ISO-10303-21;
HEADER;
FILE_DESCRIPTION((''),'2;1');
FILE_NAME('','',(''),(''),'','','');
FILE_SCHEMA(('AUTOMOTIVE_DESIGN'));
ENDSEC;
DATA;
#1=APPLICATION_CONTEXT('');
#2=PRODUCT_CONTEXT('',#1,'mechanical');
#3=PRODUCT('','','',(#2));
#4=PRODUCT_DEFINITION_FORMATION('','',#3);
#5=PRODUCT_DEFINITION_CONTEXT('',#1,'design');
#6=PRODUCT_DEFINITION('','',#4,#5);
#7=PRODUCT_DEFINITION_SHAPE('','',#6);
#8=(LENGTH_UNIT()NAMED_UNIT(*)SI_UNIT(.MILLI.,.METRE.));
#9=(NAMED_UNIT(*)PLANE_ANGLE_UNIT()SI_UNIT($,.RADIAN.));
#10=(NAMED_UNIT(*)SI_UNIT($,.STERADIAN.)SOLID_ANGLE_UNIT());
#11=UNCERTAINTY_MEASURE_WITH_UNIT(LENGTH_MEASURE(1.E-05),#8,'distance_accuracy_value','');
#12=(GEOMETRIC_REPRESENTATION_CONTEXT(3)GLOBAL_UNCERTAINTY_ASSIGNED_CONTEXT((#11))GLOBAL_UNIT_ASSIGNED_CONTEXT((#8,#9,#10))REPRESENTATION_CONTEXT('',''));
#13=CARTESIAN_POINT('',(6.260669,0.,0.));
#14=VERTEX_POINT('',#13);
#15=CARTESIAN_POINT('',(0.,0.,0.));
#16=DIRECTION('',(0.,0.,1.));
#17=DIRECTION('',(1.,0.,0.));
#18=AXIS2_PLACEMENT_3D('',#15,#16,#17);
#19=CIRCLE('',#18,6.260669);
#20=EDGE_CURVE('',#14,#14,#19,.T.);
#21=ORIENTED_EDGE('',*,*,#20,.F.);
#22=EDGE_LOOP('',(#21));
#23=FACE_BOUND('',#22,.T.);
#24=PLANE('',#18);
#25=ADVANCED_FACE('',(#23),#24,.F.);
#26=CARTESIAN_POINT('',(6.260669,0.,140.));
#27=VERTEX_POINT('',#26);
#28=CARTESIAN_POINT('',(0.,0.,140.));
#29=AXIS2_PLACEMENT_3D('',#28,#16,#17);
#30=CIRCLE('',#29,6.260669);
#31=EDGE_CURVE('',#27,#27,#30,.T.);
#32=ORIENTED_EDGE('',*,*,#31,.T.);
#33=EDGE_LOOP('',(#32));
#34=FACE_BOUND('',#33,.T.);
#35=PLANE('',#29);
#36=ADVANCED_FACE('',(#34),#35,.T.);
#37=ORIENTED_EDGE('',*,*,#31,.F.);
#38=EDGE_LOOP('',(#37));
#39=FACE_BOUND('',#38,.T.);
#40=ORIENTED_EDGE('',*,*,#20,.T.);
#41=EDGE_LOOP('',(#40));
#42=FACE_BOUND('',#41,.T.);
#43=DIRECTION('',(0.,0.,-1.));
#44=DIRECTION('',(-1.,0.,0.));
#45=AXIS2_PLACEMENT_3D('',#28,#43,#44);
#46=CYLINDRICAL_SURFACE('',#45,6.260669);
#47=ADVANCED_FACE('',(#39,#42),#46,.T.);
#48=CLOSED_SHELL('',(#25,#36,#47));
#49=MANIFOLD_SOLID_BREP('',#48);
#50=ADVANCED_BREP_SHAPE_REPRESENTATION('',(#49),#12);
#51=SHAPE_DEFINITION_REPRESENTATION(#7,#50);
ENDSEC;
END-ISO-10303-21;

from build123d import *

# Parameters (mm, degrees)
SKETCH_1_R      = 6.260668565
EXTRUDE_1_DEPTH = 140


with BuildPart() as part:
    # 草图1 → 凸台-拉伸1 (new body)
    with BuildSketch(Plane.XY):
        Circle(SKETCH_1_R)
    extrude(amount=EXTRUDE_1_DEPTH)


solid = part.part
